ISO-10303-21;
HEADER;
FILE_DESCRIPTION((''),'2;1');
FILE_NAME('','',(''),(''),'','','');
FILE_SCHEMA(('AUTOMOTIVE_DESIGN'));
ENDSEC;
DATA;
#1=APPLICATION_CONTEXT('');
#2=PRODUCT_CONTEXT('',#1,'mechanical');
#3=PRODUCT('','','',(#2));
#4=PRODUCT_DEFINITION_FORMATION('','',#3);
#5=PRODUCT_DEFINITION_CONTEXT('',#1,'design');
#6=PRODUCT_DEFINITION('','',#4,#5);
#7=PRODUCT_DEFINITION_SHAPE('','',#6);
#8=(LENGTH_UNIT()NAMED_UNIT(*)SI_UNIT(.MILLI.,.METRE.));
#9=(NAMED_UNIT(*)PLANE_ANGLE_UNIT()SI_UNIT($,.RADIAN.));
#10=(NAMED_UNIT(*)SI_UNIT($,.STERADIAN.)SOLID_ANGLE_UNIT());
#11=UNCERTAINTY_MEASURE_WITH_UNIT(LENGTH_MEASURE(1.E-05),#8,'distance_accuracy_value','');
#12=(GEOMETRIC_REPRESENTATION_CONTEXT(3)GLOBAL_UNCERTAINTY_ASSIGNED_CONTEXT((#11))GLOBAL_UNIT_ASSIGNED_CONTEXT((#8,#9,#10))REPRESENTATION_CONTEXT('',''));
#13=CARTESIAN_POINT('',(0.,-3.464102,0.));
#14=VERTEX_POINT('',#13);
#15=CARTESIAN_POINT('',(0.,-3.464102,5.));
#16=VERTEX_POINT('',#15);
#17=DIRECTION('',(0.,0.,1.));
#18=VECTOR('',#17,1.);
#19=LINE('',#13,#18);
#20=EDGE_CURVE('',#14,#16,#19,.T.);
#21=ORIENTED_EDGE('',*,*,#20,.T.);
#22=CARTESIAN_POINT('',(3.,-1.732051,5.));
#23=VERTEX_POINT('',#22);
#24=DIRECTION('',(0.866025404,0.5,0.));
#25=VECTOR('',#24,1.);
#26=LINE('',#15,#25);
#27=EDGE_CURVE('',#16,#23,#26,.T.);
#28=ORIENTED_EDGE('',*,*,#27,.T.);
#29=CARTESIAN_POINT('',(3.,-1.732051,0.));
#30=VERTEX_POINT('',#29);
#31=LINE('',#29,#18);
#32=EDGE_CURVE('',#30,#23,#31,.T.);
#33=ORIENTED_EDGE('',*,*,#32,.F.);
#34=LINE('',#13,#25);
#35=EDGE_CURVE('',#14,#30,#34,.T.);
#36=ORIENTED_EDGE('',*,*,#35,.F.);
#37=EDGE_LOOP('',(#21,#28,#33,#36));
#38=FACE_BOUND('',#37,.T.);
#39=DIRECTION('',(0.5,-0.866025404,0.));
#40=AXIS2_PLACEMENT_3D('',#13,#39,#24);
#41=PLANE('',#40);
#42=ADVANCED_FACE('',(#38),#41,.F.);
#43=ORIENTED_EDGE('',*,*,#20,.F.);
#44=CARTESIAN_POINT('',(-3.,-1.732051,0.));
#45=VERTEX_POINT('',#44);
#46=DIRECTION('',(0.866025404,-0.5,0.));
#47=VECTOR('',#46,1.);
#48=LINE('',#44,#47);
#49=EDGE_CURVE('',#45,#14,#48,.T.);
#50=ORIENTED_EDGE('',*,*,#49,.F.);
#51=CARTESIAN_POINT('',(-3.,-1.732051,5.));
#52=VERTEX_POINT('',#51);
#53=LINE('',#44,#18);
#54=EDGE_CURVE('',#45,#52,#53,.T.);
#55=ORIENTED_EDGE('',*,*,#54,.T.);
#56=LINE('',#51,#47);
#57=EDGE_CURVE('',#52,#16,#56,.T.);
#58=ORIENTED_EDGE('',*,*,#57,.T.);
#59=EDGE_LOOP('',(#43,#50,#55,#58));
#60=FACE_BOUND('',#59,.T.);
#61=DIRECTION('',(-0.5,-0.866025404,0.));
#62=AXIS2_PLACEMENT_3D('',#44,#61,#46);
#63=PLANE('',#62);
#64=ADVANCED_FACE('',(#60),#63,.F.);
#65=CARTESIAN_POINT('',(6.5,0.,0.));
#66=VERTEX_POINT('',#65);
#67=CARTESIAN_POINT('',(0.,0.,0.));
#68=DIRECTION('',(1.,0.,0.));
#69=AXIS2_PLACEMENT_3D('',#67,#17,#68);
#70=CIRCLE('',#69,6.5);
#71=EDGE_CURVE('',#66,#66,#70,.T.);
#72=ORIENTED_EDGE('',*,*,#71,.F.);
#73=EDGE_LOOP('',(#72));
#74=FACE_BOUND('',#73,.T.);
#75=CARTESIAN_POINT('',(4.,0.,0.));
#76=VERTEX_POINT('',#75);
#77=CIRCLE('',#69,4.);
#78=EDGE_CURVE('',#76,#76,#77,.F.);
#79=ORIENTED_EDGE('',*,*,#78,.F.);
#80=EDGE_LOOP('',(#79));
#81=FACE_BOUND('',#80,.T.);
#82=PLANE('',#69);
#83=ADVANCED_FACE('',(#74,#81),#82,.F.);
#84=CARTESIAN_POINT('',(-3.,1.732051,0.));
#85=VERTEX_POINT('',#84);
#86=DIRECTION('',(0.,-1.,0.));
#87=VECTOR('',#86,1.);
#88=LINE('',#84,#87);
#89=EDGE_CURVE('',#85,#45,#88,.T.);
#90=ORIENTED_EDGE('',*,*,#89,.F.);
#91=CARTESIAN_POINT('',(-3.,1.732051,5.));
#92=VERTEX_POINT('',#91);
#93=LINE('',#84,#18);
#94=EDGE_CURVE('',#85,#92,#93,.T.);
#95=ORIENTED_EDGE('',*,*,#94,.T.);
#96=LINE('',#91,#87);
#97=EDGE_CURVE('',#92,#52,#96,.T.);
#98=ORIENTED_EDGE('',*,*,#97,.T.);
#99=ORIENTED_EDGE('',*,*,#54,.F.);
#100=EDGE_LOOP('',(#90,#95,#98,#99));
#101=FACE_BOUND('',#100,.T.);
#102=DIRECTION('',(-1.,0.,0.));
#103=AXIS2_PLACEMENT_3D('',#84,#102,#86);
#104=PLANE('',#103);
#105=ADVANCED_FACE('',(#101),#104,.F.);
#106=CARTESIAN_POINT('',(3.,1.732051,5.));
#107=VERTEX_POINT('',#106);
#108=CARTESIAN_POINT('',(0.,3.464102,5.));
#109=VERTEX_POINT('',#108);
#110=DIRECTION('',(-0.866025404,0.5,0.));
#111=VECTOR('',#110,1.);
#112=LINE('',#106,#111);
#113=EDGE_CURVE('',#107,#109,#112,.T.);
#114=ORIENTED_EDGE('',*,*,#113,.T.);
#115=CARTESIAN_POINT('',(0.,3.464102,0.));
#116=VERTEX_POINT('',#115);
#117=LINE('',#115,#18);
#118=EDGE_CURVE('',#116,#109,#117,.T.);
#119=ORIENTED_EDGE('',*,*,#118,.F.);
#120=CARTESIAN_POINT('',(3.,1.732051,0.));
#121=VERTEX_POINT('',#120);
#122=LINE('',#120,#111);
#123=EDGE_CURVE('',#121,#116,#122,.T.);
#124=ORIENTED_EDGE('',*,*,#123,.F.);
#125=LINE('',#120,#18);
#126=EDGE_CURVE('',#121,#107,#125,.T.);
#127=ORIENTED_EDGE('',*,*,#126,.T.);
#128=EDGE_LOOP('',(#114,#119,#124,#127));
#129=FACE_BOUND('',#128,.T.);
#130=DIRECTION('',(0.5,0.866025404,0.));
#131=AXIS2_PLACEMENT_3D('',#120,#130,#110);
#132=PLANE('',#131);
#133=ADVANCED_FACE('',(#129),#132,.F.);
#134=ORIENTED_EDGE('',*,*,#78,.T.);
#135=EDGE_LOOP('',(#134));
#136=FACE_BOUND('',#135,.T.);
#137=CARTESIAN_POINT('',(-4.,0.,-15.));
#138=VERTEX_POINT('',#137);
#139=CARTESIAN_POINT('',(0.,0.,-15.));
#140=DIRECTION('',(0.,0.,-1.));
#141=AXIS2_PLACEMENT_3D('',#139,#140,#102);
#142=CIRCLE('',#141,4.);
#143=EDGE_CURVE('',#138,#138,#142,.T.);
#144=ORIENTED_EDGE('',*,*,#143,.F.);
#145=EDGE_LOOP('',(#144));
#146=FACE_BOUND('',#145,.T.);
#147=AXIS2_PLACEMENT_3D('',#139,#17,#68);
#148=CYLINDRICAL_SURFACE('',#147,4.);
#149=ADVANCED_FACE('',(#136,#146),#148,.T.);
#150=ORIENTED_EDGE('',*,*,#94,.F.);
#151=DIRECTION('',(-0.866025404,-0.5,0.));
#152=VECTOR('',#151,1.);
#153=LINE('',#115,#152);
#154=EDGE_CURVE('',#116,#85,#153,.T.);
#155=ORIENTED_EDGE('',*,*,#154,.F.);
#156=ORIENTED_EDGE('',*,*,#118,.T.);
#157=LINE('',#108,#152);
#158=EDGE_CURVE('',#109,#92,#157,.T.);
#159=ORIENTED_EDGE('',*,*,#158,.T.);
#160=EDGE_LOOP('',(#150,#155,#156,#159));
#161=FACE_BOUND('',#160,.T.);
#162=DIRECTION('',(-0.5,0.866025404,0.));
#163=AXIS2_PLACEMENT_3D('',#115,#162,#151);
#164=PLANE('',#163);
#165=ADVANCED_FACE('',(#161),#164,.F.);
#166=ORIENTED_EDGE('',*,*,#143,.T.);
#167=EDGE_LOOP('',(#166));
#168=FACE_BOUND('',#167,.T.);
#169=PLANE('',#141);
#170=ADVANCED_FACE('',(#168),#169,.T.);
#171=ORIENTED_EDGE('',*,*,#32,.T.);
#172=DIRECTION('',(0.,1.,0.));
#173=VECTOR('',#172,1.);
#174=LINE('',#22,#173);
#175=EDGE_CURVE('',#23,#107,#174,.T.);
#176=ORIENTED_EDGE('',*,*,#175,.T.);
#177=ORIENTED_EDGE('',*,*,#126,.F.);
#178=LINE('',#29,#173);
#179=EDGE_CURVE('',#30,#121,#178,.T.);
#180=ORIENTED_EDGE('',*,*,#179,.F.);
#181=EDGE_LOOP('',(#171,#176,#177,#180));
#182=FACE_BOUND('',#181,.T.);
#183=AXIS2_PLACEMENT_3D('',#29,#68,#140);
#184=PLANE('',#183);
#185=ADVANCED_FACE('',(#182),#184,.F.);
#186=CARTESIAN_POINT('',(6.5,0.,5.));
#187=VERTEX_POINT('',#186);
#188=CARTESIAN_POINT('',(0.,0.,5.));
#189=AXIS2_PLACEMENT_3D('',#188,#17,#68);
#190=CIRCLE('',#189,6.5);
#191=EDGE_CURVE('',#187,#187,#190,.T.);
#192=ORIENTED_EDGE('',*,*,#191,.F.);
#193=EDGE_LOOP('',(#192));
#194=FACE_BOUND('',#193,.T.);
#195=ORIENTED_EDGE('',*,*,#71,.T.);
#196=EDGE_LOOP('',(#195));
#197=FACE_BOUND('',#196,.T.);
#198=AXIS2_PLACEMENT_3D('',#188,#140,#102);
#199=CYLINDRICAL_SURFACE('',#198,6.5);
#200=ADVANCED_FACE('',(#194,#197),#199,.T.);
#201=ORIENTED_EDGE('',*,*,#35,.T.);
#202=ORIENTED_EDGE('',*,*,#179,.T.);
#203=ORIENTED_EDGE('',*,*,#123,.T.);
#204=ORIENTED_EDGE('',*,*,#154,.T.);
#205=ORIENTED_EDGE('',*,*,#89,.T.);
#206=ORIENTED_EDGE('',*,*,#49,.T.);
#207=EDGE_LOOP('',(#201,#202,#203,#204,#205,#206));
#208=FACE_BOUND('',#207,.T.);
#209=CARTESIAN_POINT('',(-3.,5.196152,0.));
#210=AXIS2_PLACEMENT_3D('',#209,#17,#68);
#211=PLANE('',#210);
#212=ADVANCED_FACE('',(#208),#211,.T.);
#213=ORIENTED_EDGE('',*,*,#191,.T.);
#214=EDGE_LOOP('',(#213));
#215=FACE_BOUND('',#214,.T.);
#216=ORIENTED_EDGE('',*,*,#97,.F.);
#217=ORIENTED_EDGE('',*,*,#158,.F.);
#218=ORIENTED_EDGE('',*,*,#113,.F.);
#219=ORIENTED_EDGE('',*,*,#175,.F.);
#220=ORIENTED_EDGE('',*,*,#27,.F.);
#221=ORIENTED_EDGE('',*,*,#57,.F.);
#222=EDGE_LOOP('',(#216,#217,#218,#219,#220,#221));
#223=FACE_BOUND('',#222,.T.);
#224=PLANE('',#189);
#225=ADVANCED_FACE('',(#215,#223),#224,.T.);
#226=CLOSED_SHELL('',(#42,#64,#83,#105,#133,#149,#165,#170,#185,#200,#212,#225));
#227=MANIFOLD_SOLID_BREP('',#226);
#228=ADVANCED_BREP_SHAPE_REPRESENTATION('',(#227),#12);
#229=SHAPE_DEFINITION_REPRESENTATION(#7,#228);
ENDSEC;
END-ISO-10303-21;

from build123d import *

# Parameters (mm, degrees)
SKETCH1_R           = 6.5
BASE_EXTRUDE_DEPTH  = 5
SKETCH2_R           = 4
BOSS_EXTRUDE1_DEPTH = 15
CUT_EXTRUDE1_DEPTH  = 5


with BuildPart() as part:
    # Sketch1 → Base-Extrude (new body)
    with BuildSketch(Plane.XY):
        Circle(SKETCH1_R)
    extrude(amount=BASE_EXTRUDE_DEPTH)

    # Sketch2 → Boss-Extrude1 (add)
    with BuildSketch(Plane(origin=(0, 0, 0), x_dir=(-1, 0, 0), z_dir=(0, 0, -1))):
        Circle(SKETCH2_R)
    extrude(amount=BOSS_EXTRUDE1_DEPTH)

    # Sketch3 → Cut-Extrude1 (cut)
    with BuildSketch(Plane.XY.offset(5)):
        Polygon((0, 3.464101615), (-3, 1.732050808), (-3, -1.732050808), (0, -3.464101615), (3, -1.732050808), (3, 1.732050808), align=None)
    extrude(amount=-CUT_EXTRUDE1_DEPTH, mode=Mode.SUBTRACT)


solid = part.part
